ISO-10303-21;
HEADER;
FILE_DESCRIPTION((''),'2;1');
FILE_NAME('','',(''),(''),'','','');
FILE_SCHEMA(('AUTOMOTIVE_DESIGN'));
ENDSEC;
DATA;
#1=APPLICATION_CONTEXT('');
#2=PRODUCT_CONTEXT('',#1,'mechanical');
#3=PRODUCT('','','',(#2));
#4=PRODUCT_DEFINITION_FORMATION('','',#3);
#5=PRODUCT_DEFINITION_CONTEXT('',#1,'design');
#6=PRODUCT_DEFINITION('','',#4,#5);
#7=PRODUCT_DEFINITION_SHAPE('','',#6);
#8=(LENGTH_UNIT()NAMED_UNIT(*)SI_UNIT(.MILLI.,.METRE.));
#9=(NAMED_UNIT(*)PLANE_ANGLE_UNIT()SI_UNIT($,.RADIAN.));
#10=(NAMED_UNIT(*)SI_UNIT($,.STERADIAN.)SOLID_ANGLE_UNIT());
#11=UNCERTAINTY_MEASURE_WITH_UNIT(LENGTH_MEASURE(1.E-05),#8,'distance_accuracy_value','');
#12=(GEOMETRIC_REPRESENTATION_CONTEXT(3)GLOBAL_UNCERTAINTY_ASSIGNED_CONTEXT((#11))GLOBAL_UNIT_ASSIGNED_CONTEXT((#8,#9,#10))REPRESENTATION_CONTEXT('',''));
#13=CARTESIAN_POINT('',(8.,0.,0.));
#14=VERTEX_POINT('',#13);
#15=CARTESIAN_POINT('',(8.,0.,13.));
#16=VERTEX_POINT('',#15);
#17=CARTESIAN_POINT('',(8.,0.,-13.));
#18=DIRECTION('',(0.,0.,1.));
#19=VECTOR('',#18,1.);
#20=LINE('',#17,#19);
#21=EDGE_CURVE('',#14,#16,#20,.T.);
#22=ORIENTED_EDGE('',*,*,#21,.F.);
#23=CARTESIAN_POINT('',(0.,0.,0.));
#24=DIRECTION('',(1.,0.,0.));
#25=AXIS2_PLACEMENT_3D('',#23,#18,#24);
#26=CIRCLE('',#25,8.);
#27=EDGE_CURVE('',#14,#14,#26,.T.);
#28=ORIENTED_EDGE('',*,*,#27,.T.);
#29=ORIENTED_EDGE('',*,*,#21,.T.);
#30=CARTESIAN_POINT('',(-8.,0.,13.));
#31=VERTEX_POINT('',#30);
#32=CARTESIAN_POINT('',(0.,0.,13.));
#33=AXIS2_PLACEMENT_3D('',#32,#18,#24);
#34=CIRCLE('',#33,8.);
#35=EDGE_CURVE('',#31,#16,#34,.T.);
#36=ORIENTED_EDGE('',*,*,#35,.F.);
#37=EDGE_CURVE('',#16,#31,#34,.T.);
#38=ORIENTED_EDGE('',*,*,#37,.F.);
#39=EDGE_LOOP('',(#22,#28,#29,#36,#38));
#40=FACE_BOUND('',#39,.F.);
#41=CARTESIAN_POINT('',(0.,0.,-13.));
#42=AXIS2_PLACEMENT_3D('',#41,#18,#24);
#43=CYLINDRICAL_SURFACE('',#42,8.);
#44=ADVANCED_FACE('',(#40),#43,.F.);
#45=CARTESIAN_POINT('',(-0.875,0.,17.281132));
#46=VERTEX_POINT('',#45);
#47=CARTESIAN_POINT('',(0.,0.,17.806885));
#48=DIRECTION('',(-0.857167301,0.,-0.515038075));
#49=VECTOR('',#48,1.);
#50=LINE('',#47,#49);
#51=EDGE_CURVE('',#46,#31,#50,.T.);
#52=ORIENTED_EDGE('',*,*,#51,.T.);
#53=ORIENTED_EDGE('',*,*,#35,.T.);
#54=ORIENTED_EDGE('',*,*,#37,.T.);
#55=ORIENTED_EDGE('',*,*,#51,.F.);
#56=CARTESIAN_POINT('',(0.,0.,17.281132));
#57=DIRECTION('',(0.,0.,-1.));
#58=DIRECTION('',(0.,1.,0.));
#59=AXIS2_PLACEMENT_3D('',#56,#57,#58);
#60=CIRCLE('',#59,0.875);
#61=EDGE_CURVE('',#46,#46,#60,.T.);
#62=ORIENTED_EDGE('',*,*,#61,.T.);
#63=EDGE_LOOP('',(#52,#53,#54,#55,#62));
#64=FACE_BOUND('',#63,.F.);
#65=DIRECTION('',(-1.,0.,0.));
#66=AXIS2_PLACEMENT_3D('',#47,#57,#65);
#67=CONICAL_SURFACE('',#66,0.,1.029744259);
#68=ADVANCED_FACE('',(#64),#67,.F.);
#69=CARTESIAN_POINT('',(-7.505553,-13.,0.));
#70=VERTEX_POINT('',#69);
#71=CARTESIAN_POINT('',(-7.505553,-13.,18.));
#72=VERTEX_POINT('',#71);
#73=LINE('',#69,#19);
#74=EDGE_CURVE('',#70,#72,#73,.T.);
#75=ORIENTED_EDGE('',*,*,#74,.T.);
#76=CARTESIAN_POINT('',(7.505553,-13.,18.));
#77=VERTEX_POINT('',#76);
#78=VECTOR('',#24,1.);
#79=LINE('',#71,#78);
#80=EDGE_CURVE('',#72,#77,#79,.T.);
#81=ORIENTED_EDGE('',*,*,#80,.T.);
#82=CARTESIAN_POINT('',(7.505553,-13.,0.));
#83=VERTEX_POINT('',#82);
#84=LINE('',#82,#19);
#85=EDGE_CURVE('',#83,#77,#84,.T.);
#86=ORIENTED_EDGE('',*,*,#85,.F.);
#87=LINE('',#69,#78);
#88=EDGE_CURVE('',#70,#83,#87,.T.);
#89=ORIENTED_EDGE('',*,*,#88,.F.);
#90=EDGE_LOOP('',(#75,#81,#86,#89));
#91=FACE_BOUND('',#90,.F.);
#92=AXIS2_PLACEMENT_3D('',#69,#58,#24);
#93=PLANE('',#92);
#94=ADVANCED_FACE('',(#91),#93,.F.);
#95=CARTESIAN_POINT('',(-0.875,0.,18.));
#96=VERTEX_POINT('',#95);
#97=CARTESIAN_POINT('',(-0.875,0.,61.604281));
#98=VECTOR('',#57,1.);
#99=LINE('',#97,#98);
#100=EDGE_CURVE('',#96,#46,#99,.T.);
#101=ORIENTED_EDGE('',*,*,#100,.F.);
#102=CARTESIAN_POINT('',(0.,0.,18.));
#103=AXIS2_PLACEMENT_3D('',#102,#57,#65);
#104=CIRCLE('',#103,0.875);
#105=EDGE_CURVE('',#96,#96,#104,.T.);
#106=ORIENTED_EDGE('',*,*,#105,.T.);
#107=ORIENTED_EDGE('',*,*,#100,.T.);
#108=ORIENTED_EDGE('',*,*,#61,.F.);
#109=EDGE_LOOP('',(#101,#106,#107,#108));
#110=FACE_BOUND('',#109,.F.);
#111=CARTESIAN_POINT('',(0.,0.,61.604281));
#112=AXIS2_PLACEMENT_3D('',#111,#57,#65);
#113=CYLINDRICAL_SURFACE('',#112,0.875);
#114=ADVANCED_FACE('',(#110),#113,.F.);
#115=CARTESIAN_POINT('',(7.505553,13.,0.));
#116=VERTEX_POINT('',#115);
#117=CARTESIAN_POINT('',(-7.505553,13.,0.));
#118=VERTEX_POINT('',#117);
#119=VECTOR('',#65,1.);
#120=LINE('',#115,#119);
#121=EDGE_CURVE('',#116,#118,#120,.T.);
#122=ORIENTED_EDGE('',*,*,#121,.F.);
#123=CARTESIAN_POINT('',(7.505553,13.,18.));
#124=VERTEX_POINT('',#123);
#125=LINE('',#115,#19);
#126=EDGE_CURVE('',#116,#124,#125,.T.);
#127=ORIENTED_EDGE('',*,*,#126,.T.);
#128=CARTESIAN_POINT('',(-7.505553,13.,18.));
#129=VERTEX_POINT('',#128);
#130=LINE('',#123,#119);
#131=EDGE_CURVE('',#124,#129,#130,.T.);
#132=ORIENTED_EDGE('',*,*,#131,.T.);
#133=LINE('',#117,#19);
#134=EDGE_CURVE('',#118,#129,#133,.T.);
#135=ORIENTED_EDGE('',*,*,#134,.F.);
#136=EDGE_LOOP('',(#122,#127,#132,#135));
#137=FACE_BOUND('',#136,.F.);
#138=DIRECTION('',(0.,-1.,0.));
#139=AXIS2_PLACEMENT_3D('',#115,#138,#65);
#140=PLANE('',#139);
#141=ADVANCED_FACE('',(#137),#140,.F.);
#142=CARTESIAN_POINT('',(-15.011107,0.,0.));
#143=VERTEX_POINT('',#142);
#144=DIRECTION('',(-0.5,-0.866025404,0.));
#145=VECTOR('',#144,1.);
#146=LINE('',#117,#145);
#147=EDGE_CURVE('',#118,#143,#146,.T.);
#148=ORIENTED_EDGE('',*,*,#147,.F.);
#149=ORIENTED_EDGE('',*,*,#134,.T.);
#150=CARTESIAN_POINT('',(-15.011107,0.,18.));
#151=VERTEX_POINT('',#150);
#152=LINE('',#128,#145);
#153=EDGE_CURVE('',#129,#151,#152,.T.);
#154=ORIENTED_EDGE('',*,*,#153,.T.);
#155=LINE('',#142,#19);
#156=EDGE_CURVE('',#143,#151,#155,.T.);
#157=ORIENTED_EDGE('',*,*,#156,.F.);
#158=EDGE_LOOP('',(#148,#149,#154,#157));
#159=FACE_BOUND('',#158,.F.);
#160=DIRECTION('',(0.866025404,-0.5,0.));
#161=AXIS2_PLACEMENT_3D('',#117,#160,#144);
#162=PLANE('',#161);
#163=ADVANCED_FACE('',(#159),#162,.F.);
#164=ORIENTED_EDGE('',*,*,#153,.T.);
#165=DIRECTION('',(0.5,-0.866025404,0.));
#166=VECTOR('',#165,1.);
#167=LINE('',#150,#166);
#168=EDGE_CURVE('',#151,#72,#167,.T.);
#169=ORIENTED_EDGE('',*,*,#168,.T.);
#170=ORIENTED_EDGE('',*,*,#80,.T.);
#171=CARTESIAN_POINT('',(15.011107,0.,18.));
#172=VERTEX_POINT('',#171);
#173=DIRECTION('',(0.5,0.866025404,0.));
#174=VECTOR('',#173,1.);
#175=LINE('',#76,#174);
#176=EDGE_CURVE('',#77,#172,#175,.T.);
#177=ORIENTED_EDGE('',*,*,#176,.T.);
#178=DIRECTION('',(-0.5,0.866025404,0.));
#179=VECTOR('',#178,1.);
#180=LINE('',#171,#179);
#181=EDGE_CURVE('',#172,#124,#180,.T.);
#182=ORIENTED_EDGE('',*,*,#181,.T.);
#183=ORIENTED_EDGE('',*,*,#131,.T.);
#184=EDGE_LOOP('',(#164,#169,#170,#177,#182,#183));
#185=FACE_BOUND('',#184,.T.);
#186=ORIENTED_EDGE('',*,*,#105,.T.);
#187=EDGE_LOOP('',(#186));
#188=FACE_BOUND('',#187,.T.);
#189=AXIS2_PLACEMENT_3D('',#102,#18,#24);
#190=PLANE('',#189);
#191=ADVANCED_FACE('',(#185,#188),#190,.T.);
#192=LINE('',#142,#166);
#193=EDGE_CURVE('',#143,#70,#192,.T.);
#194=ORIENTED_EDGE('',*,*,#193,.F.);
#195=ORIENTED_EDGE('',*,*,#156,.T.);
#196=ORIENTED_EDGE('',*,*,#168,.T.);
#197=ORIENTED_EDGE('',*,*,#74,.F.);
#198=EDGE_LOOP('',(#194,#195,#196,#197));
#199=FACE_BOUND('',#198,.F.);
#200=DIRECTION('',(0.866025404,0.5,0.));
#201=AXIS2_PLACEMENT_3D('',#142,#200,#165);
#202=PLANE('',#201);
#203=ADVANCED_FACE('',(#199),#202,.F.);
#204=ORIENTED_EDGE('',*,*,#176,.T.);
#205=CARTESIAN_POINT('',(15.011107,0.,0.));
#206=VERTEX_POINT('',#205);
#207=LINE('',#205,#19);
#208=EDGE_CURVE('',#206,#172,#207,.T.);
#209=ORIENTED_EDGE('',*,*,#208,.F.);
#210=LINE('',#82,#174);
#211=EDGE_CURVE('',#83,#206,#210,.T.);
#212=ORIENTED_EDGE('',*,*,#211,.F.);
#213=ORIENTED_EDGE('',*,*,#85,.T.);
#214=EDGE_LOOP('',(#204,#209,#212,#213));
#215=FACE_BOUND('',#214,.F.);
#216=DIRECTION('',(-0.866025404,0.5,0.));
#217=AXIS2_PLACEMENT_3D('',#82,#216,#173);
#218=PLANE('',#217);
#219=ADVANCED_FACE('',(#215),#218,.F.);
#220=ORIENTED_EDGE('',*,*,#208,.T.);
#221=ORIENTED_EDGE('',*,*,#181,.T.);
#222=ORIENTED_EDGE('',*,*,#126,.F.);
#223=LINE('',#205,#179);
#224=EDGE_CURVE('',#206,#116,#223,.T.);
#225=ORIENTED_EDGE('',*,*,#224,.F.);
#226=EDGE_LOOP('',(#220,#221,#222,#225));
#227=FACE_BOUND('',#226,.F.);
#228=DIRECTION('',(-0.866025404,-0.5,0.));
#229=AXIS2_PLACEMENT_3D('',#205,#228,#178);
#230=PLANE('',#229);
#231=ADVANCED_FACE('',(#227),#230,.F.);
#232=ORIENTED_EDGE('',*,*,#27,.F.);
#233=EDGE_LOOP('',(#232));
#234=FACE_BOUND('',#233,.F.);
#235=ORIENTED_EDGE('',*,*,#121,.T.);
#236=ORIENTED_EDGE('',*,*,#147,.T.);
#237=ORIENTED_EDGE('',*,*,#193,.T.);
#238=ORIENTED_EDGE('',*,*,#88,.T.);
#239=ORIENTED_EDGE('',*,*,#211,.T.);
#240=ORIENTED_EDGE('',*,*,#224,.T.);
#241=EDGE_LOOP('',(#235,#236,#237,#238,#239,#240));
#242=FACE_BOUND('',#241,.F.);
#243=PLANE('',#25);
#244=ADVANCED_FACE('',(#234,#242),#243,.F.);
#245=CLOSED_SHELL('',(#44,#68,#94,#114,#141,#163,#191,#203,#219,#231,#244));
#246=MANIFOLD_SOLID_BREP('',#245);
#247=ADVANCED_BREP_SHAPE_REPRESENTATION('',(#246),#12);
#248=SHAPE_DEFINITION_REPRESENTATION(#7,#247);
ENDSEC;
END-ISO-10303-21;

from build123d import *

# Parameters (mm, degrees)
AUFSATZ_LINEAR_AUSTRAGEN1_DEPTH      = 18
F_16_0_16_DURCHMESSER_BOHRUNG1_D     = 16
F_16_0_16_DURCHMESSER_BOHRUNG1_DEPTH = 13
F_16_0_16_DURCHMESSER_BOHRUNG1_TIP   = 4.806884952
F_1_75_1_75_DURCHMESSER_BOHRUNG1_D   = 1.75


with BuildPart() as part:
    # Skizze1 → Aufsatz-Linear austragen1 (new body)
    with BuildSketch(Plane.XY):
        Polygon((15.011106999, 0), (7.505553499, 13), (-7.505553499, 13), (-15.011106999, 0), (-7.505553499, -13), (7.505553499, -13), align=None)
    extrude(amount=AUFSATZ_LINEAR_AUSTRAGEN1_DEPTH)

    # Ø16.0 (16) Durchmesser Bohrung1
    with Locations(Plane(origin=(0, 0, 0), x_dir=(-1, 0, 0), z_dir=(0, 0, -1))):
        with Locations((0, 0)):
            Hole(F_16_0_16_DURCHMESSER_BOHRUNG1_D / 2, depth=F_16_0_16_DURCHMESSER_BOHRUNG1_DEPTH)
            with Locations((0, 0, -(F_16_0_16_DURCHMESSER_BOHRUNG1_DEPTH + F_16_0_16_DURCHMESSER_BOHRUNG1_TIP / 2))):  # 118° drill point
                Cone(0, F_16_0_16_DURCHMESSER_BOHRUNG1_D / 2, F_16_0_16_DURCHMESSER_BOHRUNG1_TIP, mode=Mode.SUBTRACT)

    # Ø1.75 (1.75) Durchmesser Bohrung1 (through all)
    with Locations(Plane.XY.offset(18)):
        with Locations((0, 0)):
            Hole(F_1_75_1_75_DURCHMESSER_BOHRUNG1_D / 2)


solid = part.part
